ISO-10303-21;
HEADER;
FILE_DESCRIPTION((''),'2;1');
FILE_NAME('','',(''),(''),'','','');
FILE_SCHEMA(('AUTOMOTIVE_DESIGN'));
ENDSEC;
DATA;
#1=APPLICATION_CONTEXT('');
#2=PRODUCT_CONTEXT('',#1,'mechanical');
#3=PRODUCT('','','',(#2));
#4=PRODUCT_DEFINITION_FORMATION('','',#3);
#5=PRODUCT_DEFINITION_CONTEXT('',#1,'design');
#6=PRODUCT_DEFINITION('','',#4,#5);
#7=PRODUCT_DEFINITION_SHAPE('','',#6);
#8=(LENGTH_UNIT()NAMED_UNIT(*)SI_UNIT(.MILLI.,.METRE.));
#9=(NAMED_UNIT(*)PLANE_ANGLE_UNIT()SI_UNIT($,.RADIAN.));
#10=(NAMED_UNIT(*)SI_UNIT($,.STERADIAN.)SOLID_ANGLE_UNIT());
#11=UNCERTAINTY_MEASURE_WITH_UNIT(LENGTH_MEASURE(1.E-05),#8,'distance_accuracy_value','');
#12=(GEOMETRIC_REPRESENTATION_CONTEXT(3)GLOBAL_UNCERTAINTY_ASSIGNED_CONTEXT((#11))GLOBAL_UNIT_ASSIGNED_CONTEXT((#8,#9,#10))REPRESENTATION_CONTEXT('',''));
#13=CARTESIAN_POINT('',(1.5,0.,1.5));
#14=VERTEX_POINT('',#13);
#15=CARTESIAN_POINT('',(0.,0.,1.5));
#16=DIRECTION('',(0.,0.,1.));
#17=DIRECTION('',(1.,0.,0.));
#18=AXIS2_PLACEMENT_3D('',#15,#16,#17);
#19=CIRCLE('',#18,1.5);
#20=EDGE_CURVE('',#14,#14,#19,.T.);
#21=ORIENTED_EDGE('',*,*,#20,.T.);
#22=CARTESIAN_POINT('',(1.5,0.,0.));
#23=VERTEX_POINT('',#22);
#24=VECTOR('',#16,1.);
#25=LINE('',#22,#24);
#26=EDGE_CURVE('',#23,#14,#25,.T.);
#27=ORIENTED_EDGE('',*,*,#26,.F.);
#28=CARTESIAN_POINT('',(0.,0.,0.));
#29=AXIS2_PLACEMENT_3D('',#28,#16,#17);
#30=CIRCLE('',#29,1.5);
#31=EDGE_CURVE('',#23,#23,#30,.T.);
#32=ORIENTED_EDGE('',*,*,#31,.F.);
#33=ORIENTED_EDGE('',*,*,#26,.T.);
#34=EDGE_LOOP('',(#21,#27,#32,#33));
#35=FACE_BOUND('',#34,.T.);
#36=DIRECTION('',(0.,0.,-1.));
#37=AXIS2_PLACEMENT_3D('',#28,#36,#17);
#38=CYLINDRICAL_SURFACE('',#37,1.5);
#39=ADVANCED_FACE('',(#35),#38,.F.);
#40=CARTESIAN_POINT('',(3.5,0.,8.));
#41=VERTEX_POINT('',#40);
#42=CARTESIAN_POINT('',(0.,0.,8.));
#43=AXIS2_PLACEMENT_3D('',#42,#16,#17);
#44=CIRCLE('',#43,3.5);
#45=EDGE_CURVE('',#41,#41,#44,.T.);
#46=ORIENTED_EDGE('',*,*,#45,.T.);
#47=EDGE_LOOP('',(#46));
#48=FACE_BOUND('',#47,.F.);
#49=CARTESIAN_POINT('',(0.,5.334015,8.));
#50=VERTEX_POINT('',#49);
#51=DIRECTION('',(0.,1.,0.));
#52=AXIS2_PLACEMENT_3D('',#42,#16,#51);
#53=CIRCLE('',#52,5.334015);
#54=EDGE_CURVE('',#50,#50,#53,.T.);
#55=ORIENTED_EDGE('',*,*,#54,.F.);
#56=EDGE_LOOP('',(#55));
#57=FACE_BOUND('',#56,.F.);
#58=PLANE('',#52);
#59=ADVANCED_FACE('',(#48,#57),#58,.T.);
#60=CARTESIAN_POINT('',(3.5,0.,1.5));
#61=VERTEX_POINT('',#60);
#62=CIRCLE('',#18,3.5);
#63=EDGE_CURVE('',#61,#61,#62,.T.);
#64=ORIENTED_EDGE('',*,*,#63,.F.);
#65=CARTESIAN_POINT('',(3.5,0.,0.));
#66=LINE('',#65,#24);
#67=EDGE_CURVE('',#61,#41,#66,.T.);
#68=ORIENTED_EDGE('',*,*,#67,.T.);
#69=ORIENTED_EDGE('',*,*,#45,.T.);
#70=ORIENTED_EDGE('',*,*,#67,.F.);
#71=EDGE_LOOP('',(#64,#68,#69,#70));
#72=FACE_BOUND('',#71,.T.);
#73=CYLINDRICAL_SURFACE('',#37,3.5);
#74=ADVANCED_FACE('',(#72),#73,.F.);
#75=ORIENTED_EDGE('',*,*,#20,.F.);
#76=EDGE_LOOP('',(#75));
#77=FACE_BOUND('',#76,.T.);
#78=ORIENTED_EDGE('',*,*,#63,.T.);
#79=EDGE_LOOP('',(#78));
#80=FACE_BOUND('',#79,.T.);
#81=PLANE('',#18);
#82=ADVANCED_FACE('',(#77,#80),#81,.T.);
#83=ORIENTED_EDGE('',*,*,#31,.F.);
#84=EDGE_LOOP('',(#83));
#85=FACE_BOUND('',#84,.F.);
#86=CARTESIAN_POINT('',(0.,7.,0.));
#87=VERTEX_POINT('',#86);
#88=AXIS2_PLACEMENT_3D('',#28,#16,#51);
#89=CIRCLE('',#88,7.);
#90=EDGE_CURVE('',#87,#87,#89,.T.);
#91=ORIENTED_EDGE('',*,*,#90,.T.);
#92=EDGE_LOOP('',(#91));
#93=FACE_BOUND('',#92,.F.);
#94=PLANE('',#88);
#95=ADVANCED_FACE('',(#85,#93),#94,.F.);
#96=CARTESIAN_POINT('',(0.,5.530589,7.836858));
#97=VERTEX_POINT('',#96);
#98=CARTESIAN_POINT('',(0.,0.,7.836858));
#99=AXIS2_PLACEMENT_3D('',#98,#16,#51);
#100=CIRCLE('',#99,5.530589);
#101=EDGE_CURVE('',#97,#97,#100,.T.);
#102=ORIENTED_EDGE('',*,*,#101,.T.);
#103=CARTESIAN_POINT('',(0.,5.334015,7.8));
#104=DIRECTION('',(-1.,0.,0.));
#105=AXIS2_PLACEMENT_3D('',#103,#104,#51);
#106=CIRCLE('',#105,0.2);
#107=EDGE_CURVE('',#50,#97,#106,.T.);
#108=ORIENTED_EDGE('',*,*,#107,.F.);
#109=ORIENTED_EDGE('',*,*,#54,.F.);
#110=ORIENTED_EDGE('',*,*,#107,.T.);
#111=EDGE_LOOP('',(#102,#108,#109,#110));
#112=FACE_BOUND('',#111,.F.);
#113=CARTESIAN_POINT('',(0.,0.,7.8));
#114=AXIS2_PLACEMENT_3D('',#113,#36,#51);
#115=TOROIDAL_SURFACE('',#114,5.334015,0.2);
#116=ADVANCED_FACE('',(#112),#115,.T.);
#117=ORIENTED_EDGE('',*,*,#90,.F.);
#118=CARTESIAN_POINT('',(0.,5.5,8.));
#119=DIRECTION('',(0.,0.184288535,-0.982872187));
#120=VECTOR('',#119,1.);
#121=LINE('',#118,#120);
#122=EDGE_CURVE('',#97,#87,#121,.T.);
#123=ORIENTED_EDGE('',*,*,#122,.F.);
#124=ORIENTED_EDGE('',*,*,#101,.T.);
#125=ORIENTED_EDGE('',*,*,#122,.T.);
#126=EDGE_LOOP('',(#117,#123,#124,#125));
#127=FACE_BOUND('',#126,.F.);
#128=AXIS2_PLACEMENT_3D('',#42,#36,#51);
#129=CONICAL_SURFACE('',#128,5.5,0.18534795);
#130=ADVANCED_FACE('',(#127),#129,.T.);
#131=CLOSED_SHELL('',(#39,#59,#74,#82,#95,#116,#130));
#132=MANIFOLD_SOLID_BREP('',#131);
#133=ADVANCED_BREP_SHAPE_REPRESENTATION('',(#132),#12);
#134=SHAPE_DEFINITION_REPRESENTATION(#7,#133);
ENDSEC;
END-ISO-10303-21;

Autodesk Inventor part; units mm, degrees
ref_plane "YZ Plane" through (0, 0, 0) normal (1, 0, 0) x (0, 1, 0)
ref_plane "XZ Plane" through (0, 0, 0) normal (0, 1, 0) x (-1, 0, 0)
ref_plane "XY Plane" through (0, 0, 0) normal (0, 0, 1) x (1, 0, 0)
sketch "Sketch1" plane through (0, 0, 0) normal (0, 0, 1) x (1, 0, 0)
  circle A0 centre (0, 0) radius 3.5
  circle A1 centre (0, 0) radius 1.5
  circle A2 centre (0, 0) radius 3.05
  dimension "D" = 7
  dimension "M3" = 3
  dimension "d12" = 6.1
extrude "Extrusion1" add sketch "Sketch1" along normal blind 8 contours A0 | A2
sketch "Sketch3" plane through (0, 0, 0) normal (1, 0, 0) x (0, 1, 0)
  line L0 (3.5, 8) -> (3.5, 0) projected
  line L1 (3.5, 0) -> (1.5, 0) projected
  line L2 (1.5, 0) -> (1.5, 8) projected
  line L3 (1.5, 8) -> (3.5, 8) projected
  line L4 (-3.5, 0) -> (-3.5, 8) projected
  line L5 (-3.5, 8) -> (-1.5, 8) projected
  line L6 (-1.5, 8) -> (-1.5, 0) projected
  line L7 (-1.5, 0) -> (-3.5, 0) projected
  line L8 (5.6436, 0) -> (3.5, 0)
  line L9 (0, -1.6) -> (0, 9.6) projected
  line L10 (3.5, 8) -> (5.5, 8)
  line L11 (5.5, 8) -> (7, 0)
  line L12 (7, 0) -> (3.5, 0)
  point P0 (0, 0)
  dimension "d15" = 2
  dimension "d18" = 7
revolve "Revolution2" add sketch "Sketch3" angle 360 about axis through (0, 0, -10) along (0, 0, 1) contours L10 L11 L12 L8 L0
extrude "Extrusion3" cut sketch "Sketch1" along normal up to surface (8 mm away) contours A0 | A2
fillet "Fillet1" radius 0.2 1 edges at (0, -5.5, 8)
extrude "Extrusion4" add sketch "Sketch1" along normal blind 1.5 contours A0 | A2
properties part number "Amortecedor_Borracha" material "Rubber"
